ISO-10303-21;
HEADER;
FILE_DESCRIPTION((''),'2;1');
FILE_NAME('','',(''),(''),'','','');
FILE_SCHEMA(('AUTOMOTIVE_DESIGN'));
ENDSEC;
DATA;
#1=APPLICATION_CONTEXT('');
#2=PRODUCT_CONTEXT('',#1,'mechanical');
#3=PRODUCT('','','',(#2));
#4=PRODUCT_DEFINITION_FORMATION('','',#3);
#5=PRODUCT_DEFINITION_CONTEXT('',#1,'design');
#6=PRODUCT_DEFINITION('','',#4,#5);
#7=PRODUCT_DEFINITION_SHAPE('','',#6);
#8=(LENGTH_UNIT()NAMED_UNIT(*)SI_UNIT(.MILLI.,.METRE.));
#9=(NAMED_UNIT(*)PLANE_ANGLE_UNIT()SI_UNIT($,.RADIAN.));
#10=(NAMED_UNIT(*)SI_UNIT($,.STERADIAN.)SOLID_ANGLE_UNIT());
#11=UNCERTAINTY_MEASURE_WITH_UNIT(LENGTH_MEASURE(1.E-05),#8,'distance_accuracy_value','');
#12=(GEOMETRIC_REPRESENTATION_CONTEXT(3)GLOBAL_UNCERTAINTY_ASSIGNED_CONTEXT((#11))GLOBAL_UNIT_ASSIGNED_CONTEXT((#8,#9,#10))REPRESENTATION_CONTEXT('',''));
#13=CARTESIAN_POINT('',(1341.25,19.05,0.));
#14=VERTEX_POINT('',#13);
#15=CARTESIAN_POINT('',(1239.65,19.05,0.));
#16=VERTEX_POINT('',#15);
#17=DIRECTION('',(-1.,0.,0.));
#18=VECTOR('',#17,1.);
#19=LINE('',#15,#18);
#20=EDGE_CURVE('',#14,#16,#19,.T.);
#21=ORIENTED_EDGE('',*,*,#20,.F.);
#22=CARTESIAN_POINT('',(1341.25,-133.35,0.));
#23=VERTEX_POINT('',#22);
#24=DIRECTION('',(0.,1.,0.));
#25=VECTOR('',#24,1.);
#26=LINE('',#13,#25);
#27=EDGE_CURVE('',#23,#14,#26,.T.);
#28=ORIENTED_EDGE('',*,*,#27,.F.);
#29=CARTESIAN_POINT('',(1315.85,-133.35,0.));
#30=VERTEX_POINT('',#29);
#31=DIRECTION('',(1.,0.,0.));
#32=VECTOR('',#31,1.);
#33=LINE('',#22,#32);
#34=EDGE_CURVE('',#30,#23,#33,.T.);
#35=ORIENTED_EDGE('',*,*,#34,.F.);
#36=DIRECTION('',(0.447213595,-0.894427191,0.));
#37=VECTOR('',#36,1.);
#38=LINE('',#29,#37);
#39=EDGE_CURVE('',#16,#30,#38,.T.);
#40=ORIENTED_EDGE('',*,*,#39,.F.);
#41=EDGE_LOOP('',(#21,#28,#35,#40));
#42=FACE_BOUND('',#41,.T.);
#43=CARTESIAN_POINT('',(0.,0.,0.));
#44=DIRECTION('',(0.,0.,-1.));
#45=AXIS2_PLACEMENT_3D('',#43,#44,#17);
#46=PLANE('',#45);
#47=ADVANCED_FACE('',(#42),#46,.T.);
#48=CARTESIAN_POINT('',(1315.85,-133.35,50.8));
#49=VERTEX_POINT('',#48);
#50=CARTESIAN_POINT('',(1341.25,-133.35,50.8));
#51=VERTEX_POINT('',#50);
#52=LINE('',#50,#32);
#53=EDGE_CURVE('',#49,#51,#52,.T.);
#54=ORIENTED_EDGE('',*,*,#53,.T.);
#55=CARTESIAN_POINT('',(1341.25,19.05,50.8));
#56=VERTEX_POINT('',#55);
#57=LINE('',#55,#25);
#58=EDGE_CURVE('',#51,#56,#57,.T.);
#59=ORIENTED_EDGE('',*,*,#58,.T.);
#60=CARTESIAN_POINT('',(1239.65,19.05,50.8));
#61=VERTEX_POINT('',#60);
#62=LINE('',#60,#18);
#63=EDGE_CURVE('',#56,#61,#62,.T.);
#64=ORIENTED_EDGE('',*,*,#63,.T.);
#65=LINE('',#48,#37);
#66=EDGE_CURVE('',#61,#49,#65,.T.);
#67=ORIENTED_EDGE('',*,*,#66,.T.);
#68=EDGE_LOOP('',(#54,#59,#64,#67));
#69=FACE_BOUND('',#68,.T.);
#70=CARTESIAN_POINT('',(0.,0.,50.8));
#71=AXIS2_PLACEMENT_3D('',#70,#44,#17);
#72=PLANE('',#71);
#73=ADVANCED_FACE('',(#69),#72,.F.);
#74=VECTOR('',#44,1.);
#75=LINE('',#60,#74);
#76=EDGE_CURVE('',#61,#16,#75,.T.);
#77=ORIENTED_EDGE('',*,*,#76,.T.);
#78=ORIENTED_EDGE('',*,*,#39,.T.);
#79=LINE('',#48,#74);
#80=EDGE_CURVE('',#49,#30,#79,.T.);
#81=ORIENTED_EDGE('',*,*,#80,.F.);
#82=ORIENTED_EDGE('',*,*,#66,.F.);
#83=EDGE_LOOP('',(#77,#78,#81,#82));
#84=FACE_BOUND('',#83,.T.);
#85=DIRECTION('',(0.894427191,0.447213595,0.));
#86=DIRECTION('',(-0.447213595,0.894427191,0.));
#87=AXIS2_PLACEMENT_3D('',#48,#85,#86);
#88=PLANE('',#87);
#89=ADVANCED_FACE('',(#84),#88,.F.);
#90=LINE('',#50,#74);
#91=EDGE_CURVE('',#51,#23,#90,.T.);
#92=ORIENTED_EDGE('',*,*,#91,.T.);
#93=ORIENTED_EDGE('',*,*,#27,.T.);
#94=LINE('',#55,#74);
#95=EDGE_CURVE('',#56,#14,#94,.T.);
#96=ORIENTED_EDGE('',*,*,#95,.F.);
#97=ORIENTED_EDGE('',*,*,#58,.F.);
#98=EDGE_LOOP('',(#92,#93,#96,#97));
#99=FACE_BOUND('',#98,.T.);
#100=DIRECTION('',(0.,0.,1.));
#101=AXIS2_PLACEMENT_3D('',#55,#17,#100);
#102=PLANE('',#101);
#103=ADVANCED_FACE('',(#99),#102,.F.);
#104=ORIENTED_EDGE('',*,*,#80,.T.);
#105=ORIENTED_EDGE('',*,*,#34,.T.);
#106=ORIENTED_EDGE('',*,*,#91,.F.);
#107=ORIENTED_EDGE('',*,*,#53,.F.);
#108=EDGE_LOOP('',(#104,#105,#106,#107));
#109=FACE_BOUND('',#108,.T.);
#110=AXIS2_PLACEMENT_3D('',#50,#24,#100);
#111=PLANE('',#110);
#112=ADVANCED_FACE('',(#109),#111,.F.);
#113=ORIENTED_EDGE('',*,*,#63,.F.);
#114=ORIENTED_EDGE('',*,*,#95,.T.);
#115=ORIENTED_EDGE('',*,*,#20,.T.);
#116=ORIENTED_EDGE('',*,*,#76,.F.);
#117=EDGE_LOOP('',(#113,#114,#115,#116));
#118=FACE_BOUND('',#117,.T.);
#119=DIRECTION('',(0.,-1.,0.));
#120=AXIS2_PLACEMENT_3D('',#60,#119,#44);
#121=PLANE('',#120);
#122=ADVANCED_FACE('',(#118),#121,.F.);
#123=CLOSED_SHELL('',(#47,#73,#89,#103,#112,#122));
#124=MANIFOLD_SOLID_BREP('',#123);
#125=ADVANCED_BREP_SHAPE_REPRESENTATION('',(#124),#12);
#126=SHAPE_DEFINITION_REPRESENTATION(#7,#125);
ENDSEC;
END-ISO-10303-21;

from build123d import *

# Parameters (mm, degrees)
BOSS_EXTRUDE1_DEPTH = 50.8


with BuildPart() as part:
    # Sketch1 → Boss-Extrude1 (new body)
    with BuildSketch(Plane.XY):
        Polygon((1341.25, 19.05), (1341.25, -133.35), (1315.85, -133.35), (1239.65, 19.05), align=None)
    extrude(amount=BOSS_EXTRUDE1_DEPTH)


solid = part.part
